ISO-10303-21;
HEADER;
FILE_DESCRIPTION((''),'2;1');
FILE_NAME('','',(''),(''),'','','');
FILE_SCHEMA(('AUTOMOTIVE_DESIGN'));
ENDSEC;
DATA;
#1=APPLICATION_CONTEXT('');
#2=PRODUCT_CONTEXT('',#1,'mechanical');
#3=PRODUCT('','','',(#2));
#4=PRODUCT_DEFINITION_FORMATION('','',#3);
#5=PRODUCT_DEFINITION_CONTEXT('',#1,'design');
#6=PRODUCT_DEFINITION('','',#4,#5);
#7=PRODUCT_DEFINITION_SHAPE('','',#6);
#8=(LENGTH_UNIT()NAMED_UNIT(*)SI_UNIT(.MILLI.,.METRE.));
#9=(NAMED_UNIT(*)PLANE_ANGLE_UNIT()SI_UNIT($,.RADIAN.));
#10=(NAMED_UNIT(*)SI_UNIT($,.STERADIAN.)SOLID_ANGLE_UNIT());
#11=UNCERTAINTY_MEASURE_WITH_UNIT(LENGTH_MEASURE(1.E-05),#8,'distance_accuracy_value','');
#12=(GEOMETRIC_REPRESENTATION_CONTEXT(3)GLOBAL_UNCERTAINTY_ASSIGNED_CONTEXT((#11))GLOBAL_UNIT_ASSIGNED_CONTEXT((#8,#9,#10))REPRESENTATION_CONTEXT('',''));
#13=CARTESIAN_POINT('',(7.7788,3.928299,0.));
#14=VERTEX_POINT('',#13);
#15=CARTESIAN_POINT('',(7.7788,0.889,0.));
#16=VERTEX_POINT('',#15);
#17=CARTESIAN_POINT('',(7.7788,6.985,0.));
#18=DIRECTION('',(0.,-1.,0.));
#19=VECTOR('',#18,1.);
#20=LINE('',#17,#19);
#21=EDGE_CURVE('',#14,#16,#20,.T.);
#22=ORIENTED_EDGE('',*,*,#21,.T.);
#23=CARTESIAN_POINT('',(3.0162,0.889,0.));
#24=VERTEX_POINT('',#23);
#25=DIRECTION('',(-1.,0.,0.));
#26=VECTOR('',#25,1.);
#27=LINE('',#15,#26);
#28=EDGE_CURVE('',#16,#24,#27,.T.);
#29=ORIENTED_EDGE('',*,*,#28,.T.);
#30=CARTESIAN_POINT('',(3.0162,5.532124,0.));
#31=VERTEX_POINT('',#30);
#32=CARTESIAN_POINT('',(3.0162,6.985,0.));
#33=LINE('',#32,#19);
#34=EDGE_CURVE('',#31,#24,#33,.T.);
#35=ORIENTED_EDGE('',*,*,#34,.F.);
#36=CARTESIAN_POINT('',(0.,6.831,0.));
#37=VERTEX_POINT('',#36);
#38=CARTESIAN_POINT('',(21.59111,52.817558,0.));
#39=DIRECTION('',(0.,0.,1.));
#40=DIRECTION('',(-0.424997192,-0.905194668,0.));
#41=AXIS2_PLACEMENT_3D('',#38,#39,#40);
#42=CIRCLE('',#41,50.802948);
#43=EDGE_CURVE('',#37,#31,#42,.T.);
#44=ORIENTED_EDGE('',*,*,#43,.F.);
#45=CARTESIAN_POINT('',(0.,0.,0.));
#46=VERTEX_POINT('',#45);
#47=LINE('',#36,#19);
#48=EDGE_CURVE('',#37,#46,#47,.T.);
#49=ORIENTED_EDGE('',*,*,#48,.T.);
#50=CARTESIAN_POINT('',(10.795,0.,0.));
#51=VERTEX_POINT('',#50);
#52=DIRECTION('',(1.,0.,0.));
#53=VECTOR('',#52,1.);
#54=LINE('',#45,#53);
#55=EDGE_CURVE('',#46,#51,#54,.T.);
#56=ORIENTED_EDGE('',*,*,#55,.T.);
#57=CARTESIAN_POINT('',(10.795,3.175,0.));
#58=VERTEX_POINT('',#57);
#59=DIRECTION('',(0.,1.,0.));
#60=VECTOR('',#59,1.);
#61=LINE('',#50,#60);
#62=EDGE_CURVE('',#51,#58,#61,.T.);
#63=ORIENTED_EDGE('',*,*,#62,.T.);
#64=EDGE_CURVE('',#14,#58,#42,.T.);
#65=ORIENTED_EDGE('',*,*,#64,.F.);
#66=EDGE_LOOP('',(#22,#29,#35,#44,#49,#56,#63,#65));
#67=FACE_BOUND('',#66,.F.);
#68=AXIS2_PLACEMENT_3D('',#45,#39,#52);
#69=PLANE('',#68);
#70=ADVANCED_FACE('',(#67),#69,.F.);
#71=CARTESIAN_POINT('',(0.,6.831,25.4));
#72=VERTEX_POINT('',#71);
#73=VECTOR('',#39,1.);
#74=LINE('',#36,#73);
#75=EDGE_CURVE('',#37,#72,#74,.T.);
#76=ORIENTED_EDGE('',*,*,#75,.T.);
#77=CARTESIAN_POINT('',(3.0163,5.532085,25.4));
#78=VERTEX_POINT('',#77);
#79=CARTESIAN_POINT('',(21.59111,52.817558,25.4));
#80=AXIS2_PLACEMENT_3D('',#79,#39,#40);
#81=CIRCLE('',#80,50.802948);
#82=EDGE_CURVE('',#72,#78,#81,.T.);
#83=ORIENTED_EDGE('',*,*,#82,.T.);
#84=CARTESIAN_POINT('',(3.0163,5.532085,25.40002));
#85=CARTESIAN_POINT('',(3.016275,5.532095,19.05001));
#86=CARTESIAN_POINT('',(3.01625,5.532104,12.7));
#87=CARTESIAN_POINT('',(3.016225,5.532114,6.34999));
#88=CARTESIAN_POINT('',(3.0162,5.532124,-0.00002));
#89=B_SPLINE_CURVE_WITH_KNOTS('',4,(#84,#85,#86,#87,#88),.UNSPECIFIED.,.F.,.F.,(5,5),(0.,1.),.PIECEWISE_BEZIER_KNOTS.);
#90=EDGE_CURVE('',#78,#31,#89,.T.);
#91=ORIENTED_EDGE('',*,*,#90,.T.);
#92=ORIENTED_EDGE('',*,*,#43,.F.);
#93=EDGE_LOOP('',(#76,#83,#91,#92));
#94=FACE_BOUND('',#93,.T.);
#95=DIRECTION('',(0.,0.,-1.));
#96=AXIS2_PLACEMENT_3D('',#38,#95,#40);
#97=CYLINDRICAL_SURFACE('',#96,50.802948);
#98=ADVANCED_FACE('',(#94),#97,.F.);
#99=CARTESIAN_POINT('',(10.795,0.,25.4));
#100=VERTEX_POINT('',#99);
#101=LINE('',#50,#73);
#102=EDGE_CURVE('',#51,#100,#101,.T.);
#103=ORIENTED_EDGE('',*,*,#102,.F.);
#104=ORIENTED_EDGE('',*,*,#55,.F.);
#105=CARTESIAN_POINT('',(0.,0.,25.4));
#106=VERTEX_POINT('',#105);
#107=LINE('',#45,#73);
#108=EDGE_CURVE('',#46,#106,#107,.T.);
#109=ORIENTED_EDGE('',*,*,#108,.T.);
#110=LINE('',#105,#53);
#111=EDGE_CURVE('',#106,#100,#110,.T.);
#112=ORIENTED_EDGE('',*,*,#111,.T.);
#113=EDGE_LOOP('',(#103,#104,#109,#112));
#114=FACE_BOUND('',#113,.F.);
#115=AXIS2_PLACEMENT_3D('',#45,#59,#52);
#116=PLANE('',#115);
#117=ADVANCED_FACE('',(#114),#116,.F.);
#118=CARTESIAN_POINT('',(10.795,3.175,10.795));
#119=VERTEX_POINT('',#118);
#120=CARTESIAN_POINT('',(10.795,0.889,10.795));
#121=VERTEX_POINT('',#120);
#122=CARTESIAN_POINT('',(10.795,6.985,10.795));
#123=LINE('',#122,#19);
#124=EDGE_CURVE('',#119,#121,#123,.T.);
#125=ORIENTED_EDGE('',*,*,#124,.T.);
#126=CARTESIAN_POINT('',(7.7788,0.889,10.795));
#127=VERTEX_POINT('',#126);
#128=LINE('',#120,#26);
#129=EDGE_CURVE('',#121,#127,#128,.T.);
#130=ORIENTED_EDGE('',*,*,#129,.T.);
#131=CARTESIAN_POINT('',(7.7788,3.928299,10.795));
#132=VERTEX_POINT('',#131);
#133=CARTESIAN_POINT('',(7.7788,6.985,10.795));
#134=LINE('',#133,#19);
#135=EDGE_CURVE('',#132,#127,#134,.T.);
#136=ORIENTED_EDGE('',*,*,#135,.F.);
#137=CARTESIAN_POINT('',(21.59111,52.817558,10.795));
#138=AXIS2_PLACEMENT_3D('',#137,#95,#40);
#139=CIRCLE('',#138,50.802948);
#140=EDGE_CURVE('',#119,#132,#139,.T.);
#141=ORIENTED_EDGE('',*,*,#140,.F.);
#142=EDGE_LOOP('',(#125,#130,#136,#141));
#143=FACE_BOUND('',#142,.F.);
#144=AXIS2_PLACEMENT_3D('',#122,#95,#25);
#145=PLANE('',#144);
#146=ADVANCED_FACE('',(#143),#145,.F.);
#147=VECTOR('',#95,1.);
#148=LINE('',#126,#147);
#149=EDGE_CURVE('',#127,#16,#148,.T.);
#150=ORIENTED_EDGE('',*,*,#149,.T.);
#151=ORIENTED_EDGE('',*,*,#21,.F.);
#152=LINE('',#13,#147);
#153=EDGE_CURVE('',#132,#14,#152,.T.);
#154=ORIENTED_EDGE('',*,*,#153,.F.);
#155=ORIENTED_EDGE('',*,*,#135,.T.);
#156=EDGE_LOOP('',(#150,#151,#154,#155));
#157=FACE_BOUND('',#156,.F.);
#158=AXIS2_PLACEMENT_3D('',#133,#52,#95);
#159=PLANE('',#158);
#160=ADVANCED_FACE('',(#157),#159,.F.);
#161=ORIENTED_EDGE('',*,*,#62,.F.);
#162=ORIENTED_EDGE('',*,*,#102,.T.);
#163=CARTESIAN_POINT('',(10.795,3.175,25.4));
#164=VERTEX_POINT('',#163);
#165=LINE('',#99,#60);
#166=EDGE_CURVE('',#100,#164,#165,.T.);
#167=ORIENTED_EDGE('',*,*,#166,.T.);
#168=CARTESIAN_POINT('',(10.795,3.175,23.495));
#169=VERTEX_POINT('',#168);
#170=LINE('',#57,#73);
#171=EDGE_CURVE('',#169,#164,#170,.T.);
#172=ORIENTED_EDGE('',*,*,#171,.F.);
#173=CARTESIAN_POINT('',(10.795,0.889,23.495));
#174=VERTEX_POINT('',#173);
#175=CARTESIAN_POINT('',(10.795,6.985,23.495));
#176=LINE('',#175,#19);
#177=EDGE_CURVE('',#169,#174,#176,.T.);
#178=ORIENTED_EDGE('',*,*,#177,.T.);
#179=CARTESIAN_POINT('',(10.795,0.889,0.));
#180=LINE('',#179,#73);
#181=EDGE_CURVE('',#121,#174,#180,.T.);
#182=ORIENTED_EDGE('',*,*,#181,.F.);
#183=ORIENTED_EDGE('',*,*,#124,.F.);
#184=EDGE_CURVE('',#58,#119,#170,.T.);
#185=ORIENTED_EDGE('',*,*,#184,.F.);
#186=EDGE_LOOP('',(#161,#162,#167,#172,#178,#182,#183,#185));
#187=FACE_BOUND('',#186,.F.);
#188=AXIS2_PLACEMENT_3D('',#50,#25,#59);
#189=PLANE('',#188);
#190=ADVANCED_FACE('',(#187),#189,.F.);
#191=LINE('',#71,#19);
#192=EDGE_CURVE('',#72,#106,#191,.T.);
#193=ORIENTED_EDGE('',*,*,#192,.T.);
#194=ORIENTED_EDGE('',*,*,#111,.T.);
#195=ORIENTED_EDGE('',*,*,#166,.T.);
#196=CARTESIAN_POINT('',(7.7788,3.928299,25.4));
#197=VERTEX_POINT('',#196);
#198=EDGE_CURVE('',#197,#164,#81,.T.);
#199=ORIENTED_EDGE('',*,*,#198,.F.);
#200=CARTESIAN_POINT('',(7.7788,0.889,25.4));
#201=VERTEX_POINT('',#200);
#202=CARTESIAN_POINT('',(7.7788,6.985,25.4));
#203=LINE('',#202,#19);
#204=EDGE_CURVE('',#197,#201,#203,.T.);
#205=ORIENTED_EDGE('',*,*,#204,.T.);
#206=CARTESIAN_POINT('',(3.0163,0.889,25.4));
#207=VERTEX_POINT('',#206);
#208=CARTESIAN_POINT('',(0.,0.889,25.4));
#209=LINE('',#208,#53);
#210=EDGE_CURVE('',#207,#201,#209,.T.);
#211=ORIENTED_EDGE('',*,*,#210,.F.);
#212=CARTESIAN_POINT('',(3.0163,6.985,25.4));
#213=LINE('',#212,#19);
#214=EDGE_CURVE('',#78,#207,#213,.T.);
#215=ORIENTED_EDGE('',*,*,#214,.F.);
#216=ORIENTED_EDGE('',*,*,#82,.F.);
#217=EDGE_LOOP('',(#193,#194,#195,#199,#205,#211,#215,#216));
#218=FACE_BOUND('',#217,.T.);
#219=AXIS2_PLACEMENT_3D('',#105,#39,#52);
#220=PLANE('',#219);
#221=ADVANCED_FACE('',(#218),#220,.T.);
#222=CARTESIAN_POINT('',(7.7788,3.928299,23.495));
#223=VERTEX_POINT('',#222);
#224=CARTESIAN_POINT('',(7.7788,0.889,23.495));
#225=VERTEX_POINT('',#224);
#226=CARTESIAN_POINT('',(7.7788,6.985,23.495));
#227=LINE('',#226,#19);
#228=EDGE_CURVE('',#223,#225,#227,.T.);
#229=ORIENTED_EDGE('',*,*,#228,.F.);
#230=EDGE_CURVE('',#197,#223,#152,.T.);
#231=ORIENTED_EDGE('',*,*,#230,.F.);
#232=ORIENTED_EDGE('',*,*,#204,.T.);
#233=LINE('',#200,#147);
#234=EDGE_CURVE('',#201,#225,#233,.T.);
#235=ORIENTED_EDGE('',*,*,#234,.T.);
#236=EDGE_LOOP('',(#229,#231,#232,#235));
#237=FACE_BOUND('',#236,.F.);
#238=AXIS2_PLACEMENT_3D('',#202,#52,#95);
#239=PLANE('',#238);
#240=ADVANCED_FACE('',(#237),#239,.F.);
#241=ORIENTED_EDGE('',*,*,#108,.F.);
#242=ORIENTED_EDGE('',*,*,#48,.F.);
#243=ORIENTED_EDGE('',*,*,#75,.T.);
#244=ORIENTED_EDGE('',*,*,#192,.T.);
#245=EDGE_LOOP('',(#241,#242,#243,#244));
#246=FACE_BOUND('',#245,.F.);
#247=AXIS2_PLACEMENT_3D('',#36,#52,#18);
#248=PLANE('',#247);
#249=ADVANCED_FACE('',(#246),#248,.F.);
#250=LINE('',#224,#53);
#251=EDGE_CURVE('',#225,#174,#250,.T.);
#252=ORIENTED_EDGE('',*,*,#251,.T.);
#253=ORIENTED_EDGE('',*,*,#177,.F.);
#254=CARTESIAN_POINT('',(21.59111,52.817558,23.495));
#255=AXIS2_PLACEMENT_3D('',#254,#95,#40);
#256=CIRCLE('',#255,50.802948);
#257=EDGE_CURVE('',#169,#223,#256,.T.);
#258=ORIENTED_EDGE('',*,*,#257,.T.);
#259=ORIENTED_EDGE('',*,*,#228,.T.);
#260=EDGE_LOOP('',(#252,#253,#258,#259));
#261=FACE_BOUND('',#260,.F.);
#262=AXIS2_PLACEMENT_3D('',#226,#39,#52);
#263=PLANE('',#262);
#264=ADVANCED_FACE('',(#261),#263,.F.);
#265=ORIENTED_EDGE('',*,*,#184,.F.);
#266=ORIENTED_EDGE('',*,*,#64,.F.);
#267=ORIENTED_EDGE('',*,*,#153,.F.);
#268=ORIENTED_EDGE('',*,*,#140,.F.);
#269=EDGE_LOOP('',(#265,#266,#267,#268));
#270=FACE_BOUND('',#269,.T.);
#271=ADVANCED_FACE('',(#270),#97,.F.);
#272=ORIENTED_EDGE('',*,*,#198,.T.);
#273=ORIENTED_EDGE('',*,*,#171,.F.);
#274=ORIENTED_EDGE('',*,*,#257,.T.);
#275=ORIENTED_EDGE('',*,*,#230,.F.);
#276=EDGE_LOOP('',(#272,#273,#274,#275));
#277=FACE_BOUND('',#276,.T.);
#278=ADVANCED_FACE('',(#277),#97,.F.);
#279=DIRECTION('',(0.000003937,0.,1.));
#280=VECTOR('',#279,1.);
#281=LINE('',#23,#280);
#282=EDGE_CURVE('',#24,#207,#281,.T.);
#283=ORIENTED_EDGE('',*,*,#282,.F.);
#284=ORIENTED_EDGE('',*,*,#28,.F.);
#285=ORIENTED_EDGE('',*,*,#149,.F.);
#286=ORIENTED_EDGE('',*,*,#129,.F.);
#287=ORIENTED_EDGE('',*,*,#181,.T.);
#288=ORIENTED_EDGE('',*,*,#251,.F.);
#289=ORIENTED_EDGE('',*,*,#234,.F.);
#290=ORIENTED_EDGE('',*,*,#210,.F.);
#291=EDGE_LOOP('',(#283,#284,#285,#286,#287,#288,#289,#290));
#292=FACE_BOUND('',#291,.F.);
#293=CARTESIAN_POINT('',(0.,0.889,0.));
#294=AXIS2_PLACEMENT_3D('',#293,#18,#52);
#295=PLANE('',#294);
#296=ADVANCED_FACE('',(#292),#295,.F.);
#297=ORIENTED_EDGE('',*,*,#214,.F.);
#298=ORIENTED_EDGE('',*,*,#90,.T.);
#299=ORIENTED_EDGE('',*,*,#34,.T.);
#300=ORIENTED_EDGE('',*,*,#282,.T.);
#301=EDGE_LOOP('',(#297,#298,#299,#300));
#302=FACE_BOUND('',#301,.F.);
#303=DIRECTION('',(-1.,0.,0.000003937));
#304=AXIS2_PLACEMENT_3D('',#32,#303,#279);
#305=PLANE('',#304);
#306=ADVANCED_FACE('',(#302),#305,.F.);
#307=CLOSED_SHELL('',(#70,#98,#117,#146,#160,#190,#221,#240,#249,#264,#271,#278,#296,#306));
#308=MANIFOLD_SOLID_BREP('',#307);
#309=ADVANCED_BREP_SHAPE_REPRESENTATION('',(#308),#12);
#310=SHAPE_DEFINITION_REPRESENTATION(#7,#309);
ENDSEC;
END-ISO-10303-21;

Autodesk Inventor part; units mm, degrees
ref_plane "YZ Plane" through (0, 0, 0) normal (1, 0, 0) x (0, 1, 0)
ref_plane "XZ Plane" through (0, 0, 0) normal (0, 1, 0) x (-1, 0, 0)
sketch "Sketch1" plane through (0, 0, 0) normal (0, 0, 1) x (1, 0, 0)
  line L0 (0, 6.831) -> (0, 0)
  line L1 (0, 0) -> (10.795, 0)
  line L2 (10.795, 0) -> (10.795, 3.175)
  arc A0 (0, 6.831) -> (10.795, 3.175) centre (21.59, 52.8148) ccw
  line L3 (10.795, 3.175) -> (21.59, 3.175) construction
  line L4 (21.59, 3.175) -> (21.59, 2.0148) construction
  arc A1 (10.795, 3.175) -> (21.59, 2.0148) centre (21.59, 52.8148) ccw construction
  dimension "d0" = 50.8
  dimension "d4" = 10.795
  dimension "d12" = 3.175
  dimension "d13" = 10.795
extrude "Extrusion1" add sketch "Sketch1" along normal blind 25.4
ref_plane "Work Plane3" through (0, 6.985, 0) normal (0, -1, 0) x (1, 0, 0)
sketch "Sketch4" plane through (0, 6.985, 0) normal (0, -1, 0) x (1, 0, 0)
  line L0 (3.0162, 0) -> (3.0163, 25.4)
  line L1 (0, 25.4) -> (10.795, 25.4) projected
  line L2 (3.0163, 25.4) -> (7.7788, 25.4)
  line L3 (7.7788, 25.4) -> (7.7788, 23.495)
  line L4 (7.7788, 23.495) -> (10.795, 23.495)
  line L5 (10.795, 0) -> (10.795, 25.4) projected
  line L6 (10.795, 23.495) -> (10.795, 10.795)
  line L7 (10.795, 10.795) -> (7.7788, 10.795)
  line L8 (7.7788, 10.795) -> (7.7788, 0)
  line L9 (7.7788, 0) -> (3.0162, 0)
  line L10 (10.795, 0) -> (0, 0) construction
  point P0 (5.3975, 0)
  point P1 (5.3975, 0)
  dimension "d22" = 10.795
  dimension "d23" = 12.7
  dimension "d24" = 4.7625
extrude "Extrusion3" cut sketch "Sketch4" along normal blind 6.096 contours L0 L1 L3 L4 L5 L7 L8 L9
properties part number "WireGuideToSail2" material "ABS Plastic"
